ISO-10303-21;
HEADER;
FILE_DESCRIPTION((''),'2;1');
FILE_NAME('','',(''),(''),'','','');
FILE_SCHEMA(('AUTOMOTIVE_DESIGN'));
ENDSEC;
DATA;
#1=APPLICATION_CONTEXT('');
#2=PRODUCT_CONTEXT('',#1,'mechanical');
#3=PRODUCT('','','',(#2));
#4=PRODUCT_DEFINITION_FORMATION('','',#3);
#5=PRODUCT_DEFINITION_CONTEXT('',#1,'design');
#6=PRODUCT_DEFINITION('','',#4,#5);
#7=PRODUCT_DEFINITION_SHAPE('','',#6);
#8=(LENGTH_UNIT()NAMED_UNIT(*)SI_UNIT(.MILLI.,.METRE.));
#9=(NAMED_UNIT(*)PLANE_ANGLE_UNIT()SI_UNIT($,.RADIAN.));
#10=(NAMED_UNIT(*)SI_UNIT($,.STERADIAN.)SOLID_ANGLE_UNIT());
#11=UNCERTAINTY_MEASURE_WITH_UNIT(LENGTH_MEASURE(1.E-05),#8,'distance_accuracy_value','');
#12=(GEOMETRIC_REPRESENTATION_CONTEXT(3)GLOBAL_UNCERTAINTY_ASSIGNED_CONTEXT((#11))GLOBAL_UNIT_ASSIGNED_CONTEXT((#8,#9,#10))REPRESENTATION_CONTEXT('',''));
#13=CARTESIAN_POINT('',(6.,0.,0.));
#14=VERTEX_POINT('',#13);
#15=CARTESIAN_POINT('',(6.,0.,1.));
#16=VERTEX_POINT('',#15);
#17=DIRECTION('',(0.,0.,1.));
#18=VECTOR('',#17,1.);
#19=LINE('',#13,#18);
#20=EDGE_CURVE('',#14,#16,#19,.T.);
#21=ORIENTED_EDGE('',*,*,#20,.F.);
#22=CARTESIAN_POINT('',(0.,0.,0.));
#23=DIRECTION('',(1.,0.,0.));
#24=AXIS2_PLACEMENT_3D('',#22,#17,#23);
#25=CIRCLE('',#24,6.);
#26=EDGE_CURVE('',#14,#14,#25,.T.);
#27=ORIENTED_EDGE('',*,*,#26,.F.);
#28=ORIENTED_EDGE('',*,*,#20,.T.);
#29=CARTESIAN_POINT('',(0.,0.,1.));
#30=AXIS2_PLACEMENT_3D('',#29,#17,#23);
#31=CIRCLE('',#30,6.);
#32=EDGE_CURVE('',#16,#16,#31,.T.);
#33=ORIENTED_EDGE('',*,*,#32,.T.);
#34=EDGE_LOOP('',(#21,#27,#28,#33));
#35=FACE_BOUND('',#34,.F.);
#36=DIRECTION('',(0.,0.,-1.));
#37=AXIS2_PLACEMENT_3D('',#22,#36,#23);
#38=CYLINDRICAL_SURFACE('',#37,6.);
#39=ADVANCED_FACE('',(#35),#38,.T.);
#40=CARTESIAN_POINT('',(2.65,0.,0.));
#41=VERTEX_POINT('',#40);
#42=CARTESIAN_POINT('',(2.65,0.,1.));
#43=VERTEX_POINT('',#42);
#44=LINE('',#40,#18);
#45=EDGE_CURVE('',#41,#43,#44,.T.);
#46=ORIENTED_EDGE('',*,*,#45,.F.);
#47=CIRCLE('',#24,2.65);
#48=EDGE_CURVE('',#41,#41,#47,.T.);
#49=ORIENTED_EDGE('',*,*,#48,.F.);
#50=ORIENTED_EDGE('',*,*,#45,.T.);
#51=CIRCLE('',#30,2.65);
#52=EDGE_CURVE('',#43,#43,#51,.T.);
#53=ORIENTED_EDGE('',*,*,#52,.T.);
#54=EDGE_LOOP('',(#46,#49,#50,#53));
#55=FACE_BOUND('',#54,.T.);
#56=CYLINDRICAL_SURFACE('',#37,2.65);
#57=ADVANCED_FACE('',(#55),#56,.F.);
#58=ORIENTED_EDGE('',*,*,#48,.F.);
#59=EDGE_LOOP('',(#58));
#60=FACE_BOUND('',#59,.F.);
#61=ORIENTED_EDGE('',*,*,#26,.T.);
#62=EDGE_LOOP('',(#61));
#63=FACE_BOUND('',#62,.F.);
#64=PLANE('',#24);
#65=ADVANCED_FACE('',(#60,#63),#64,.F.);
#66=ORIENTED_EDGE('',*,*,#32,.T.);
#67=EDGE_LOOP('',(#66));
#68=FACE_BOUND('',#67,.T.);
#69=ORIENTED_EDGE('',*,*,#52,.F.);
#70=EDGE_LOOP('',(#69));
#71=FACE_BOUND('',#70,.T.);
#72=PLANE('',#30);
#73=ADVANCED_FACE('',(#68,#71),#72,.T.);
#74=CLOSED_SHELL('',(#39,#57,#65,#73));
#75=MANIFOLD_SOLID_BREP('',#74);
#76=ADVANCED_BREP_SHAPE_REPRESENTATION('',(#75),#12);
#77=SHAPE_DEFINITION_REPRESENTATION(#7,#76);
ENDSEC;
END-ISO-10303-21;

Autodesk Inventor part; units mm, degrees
ref_plane "YZ Plane" through (0, 0, 0) normal (1, 0, 0) x (0, 1, 0)
ref_plane "XZ Plane" through (0, 0, 0) normal (0, 1, 0) x (-1, 0, 0)
ref_plane "XY Plane" through (0, 0, 0) normal (0, 0, 1) x (1, 0, 0)
sketch "スケッチ1" plane through (0, 0, 0) normal (0, 0, 1) x (1, 0, 0)
  circle A0 centre (0, 0) radius 6
  circle A1 centre (0, 0) radius 2.65
  dimension "d0" = 12
  dimension "d1" = 5.3
extrude "押し出し1" add sketch "スケッチ1" along normal blind 1
properties part number "足首_独立ピッチ_1_3" material "アセタール樹脂、黒"
